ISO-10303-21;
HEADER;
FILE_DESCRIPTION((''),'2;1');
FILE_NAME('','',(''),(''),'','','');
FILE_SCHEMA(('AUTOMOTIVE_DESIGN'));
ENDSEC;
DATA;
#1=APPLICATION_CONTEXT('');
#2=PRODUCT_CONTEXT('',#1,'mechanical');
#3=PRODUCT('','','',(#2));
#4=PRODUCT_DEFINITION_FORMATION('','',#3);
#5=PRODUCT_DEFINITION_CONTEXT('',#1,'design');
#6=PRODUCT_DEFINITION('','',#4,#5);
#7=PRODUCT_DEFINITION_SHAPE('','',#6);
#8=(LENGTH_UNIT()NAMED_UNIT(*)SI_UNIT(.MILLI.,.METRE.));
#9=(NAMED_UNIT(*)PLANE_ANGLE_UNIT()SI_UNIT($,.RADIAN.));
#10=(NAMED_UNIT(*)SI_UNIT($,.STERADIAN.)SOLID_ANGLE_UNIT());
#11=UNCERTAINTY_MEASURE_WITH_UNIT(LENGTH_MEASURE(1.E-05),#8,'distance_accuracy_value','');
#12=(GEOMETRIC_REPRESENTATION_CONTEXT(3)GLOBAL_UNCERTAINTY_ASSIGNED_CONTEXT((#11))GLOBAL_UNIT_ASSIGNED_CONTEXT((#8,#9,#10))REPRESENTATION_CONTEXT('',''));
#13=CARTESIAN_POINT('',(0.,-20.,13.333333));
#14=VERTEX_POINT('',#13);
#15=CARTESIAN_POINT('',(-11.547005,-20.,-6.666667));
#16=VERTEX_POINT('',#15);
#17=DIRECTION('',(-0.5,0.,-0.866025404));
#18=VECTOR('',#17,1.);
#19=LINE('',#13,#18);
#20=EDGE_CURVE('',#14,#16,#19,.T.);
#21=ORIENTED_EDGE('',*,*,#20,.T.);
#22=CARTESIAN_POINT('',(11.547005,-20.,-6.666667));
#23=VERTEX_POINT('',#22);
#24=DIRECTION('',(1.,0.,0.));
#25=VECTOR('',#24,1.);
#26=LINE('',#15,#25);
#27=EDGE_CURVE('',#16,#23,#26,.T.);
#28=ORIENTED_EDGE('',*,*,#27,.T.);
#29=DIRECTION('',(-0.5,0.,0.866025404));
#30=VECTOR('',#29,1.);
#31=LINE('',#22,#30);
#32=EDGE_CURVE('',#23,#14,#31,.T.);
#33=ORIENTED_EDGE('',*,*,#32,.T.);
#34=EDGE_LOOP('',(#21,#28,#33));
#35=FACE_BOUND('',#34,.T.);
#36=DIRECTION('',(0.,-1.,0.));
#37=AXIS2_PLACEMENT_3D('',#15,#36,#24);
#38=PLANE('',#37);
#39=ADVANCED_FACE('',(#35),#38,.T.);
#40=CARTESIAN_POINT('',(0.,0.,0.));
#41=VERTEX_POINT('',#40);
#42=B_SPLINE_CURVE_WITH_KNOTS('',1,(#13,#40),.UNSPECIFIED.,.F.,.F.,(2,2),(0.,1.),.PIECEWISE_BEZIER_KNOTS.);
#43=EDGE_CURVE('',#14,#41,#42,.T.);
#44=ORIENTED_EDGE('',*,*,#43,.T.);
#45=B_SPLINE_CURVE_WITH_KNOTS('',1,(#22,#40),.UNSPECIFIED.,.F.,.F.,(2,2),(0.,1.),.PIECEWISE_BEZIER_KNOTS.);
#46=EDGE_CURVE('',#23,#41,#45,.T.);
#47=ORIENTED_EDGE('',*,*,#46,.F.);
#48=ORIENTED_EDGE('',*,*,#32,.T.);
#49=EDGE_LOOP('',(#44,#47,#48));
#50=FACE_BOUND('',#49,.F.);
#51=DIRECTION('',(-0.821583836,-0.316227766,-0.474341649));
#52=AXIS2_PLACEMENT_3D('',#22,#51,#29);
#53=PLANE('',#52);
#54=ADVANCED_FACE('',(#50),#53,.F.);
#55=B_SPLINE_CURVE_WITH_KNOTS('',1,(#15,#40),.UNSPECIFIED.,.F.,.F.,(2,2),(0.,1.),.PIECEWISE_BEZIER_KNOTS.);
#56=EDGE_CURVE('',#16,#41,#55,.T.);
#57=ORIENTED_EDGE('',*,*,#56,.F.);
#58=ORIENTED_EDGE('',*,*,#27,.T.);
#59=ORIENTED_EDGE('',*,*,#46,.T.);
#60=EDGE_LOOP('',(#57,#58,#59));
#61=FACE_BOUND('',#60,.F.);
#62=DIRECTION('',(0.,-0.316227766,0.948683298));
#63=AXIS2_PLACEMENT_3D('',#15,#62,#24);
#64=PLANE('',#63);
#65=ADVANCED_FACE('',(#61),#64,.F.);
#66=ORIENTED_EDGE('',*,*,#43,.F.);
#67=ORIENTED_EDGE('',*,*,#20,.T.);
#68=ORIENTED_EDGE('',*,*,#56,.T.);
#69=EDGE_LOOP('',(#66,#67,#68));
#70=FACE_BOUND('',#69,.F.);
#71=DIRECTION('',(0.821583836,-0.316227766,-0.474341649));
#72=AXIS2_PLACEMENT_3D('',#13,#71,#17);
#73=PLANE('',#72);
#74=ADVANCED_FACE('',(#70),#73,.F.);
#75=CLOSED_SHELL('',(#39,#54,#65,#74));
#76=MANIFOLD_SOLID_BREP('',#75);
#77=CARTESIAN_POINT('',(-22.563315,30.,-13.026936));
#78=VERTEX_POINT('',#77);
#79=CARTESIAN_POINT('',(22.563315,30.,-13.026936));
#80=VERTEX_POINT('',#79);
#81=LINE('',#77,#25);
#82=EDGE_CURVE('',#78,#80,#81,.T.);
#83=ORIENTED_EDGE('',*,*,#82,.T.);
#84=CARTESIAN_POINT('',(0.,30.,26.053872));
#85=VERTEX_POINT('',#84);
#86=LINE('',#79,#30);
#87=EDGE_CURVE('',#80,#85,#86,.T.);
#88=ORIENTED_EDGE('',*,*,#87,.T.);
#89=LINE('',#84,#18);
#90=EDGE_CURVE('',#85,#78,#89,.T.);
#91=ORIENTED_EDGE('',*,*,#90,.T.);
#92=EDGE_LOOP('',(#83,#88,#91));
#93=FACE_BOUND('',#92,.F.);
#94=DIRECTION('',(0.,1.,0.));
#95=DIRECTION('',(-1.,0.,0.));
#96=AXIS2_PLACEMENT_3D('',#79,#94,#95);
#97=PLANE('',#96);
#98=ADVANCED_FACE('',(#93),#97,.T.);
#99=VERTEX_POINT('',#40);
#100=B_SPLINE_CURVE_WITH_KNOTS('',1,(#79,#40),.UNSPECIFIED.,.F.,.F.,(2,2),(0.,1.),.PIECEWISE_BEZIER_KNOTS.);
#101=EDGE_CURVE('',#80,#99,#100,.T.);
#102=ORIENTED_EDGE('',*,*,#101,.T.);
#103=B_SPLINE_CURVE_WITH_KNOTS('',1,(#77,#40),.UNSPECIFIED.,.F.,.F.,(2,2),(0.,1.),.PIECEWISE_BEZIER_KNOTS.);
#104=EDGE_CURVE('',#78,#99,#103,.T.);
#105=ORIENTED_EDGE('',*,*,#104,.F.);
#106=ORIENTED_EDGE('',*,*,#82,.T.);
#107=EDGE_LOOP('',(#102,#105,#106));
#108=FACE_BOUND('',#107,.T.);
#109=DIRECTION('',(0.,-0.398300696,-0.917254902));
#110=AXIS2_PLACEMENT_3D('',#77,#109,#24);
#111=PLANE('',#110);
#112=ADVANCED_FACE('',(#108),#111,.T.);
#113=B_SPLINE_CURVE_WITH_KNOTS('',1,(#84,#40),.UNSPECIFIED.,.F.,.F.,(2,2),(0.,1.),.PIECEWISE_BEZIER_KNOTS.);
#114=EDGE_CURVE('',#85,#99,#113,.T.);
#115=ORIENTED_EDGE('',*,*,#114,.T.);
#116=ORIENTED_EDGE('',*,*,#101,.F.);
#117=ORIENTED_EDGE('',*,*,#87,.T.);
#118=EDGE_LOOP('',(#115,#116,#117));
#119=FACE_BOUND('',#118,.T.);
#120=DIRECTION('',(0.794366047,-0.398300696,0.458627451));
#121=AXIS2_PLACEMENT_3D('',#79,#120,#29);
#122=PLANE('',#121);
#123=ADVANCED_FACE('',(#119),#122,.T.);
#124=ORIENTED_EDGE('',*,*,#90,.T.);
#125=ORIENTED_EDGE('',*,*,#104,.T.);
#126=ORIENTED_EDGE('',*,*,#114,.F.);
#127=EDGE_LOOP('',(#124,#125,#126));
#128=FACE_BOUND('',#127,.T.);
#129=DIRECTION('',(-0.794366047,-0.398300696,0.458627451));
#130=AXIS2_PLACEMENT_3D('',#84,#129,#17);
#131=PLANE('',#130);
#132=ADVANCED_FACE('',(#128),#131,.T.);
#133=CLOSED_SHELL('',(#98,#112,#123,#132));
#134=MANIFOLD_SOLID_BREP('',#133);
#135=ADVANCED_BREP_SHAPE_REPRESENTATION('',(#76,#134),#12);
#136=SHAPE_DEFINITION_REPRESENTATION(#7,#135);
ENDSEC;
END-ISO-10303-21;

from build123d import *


with BuildPart() as f5:
    # F2 (on offset) → F5 section 0
    with BuildSketch(Plane.XZ.offset(20), mode=Mode.PRIVATE) as f5_s0:
        Polygon((-11.5470053838, -6.6666666667), (11.5470053838, -6.6666666667), (0, 13.3333333333), align=None)
    loft([f5_s0.sketch, Vertex(0, 0, 0)])


with BuildPart() as f6:
    # F4 (on offset) → F6 section 0
    with BuildSketch(Plane.XZ.offset(-30), mode=Mode.PRIVATE) as f6_s0:
        Polygon((22.5633149838, -13.0269359797), (0, 26.0538719594), (-22.5633149838, -13.0269359797), align=None)
    loft([f6_s0.sketch, Vertex(0, 0, 0)])


solid = Compound([f5.part, f6.part])
